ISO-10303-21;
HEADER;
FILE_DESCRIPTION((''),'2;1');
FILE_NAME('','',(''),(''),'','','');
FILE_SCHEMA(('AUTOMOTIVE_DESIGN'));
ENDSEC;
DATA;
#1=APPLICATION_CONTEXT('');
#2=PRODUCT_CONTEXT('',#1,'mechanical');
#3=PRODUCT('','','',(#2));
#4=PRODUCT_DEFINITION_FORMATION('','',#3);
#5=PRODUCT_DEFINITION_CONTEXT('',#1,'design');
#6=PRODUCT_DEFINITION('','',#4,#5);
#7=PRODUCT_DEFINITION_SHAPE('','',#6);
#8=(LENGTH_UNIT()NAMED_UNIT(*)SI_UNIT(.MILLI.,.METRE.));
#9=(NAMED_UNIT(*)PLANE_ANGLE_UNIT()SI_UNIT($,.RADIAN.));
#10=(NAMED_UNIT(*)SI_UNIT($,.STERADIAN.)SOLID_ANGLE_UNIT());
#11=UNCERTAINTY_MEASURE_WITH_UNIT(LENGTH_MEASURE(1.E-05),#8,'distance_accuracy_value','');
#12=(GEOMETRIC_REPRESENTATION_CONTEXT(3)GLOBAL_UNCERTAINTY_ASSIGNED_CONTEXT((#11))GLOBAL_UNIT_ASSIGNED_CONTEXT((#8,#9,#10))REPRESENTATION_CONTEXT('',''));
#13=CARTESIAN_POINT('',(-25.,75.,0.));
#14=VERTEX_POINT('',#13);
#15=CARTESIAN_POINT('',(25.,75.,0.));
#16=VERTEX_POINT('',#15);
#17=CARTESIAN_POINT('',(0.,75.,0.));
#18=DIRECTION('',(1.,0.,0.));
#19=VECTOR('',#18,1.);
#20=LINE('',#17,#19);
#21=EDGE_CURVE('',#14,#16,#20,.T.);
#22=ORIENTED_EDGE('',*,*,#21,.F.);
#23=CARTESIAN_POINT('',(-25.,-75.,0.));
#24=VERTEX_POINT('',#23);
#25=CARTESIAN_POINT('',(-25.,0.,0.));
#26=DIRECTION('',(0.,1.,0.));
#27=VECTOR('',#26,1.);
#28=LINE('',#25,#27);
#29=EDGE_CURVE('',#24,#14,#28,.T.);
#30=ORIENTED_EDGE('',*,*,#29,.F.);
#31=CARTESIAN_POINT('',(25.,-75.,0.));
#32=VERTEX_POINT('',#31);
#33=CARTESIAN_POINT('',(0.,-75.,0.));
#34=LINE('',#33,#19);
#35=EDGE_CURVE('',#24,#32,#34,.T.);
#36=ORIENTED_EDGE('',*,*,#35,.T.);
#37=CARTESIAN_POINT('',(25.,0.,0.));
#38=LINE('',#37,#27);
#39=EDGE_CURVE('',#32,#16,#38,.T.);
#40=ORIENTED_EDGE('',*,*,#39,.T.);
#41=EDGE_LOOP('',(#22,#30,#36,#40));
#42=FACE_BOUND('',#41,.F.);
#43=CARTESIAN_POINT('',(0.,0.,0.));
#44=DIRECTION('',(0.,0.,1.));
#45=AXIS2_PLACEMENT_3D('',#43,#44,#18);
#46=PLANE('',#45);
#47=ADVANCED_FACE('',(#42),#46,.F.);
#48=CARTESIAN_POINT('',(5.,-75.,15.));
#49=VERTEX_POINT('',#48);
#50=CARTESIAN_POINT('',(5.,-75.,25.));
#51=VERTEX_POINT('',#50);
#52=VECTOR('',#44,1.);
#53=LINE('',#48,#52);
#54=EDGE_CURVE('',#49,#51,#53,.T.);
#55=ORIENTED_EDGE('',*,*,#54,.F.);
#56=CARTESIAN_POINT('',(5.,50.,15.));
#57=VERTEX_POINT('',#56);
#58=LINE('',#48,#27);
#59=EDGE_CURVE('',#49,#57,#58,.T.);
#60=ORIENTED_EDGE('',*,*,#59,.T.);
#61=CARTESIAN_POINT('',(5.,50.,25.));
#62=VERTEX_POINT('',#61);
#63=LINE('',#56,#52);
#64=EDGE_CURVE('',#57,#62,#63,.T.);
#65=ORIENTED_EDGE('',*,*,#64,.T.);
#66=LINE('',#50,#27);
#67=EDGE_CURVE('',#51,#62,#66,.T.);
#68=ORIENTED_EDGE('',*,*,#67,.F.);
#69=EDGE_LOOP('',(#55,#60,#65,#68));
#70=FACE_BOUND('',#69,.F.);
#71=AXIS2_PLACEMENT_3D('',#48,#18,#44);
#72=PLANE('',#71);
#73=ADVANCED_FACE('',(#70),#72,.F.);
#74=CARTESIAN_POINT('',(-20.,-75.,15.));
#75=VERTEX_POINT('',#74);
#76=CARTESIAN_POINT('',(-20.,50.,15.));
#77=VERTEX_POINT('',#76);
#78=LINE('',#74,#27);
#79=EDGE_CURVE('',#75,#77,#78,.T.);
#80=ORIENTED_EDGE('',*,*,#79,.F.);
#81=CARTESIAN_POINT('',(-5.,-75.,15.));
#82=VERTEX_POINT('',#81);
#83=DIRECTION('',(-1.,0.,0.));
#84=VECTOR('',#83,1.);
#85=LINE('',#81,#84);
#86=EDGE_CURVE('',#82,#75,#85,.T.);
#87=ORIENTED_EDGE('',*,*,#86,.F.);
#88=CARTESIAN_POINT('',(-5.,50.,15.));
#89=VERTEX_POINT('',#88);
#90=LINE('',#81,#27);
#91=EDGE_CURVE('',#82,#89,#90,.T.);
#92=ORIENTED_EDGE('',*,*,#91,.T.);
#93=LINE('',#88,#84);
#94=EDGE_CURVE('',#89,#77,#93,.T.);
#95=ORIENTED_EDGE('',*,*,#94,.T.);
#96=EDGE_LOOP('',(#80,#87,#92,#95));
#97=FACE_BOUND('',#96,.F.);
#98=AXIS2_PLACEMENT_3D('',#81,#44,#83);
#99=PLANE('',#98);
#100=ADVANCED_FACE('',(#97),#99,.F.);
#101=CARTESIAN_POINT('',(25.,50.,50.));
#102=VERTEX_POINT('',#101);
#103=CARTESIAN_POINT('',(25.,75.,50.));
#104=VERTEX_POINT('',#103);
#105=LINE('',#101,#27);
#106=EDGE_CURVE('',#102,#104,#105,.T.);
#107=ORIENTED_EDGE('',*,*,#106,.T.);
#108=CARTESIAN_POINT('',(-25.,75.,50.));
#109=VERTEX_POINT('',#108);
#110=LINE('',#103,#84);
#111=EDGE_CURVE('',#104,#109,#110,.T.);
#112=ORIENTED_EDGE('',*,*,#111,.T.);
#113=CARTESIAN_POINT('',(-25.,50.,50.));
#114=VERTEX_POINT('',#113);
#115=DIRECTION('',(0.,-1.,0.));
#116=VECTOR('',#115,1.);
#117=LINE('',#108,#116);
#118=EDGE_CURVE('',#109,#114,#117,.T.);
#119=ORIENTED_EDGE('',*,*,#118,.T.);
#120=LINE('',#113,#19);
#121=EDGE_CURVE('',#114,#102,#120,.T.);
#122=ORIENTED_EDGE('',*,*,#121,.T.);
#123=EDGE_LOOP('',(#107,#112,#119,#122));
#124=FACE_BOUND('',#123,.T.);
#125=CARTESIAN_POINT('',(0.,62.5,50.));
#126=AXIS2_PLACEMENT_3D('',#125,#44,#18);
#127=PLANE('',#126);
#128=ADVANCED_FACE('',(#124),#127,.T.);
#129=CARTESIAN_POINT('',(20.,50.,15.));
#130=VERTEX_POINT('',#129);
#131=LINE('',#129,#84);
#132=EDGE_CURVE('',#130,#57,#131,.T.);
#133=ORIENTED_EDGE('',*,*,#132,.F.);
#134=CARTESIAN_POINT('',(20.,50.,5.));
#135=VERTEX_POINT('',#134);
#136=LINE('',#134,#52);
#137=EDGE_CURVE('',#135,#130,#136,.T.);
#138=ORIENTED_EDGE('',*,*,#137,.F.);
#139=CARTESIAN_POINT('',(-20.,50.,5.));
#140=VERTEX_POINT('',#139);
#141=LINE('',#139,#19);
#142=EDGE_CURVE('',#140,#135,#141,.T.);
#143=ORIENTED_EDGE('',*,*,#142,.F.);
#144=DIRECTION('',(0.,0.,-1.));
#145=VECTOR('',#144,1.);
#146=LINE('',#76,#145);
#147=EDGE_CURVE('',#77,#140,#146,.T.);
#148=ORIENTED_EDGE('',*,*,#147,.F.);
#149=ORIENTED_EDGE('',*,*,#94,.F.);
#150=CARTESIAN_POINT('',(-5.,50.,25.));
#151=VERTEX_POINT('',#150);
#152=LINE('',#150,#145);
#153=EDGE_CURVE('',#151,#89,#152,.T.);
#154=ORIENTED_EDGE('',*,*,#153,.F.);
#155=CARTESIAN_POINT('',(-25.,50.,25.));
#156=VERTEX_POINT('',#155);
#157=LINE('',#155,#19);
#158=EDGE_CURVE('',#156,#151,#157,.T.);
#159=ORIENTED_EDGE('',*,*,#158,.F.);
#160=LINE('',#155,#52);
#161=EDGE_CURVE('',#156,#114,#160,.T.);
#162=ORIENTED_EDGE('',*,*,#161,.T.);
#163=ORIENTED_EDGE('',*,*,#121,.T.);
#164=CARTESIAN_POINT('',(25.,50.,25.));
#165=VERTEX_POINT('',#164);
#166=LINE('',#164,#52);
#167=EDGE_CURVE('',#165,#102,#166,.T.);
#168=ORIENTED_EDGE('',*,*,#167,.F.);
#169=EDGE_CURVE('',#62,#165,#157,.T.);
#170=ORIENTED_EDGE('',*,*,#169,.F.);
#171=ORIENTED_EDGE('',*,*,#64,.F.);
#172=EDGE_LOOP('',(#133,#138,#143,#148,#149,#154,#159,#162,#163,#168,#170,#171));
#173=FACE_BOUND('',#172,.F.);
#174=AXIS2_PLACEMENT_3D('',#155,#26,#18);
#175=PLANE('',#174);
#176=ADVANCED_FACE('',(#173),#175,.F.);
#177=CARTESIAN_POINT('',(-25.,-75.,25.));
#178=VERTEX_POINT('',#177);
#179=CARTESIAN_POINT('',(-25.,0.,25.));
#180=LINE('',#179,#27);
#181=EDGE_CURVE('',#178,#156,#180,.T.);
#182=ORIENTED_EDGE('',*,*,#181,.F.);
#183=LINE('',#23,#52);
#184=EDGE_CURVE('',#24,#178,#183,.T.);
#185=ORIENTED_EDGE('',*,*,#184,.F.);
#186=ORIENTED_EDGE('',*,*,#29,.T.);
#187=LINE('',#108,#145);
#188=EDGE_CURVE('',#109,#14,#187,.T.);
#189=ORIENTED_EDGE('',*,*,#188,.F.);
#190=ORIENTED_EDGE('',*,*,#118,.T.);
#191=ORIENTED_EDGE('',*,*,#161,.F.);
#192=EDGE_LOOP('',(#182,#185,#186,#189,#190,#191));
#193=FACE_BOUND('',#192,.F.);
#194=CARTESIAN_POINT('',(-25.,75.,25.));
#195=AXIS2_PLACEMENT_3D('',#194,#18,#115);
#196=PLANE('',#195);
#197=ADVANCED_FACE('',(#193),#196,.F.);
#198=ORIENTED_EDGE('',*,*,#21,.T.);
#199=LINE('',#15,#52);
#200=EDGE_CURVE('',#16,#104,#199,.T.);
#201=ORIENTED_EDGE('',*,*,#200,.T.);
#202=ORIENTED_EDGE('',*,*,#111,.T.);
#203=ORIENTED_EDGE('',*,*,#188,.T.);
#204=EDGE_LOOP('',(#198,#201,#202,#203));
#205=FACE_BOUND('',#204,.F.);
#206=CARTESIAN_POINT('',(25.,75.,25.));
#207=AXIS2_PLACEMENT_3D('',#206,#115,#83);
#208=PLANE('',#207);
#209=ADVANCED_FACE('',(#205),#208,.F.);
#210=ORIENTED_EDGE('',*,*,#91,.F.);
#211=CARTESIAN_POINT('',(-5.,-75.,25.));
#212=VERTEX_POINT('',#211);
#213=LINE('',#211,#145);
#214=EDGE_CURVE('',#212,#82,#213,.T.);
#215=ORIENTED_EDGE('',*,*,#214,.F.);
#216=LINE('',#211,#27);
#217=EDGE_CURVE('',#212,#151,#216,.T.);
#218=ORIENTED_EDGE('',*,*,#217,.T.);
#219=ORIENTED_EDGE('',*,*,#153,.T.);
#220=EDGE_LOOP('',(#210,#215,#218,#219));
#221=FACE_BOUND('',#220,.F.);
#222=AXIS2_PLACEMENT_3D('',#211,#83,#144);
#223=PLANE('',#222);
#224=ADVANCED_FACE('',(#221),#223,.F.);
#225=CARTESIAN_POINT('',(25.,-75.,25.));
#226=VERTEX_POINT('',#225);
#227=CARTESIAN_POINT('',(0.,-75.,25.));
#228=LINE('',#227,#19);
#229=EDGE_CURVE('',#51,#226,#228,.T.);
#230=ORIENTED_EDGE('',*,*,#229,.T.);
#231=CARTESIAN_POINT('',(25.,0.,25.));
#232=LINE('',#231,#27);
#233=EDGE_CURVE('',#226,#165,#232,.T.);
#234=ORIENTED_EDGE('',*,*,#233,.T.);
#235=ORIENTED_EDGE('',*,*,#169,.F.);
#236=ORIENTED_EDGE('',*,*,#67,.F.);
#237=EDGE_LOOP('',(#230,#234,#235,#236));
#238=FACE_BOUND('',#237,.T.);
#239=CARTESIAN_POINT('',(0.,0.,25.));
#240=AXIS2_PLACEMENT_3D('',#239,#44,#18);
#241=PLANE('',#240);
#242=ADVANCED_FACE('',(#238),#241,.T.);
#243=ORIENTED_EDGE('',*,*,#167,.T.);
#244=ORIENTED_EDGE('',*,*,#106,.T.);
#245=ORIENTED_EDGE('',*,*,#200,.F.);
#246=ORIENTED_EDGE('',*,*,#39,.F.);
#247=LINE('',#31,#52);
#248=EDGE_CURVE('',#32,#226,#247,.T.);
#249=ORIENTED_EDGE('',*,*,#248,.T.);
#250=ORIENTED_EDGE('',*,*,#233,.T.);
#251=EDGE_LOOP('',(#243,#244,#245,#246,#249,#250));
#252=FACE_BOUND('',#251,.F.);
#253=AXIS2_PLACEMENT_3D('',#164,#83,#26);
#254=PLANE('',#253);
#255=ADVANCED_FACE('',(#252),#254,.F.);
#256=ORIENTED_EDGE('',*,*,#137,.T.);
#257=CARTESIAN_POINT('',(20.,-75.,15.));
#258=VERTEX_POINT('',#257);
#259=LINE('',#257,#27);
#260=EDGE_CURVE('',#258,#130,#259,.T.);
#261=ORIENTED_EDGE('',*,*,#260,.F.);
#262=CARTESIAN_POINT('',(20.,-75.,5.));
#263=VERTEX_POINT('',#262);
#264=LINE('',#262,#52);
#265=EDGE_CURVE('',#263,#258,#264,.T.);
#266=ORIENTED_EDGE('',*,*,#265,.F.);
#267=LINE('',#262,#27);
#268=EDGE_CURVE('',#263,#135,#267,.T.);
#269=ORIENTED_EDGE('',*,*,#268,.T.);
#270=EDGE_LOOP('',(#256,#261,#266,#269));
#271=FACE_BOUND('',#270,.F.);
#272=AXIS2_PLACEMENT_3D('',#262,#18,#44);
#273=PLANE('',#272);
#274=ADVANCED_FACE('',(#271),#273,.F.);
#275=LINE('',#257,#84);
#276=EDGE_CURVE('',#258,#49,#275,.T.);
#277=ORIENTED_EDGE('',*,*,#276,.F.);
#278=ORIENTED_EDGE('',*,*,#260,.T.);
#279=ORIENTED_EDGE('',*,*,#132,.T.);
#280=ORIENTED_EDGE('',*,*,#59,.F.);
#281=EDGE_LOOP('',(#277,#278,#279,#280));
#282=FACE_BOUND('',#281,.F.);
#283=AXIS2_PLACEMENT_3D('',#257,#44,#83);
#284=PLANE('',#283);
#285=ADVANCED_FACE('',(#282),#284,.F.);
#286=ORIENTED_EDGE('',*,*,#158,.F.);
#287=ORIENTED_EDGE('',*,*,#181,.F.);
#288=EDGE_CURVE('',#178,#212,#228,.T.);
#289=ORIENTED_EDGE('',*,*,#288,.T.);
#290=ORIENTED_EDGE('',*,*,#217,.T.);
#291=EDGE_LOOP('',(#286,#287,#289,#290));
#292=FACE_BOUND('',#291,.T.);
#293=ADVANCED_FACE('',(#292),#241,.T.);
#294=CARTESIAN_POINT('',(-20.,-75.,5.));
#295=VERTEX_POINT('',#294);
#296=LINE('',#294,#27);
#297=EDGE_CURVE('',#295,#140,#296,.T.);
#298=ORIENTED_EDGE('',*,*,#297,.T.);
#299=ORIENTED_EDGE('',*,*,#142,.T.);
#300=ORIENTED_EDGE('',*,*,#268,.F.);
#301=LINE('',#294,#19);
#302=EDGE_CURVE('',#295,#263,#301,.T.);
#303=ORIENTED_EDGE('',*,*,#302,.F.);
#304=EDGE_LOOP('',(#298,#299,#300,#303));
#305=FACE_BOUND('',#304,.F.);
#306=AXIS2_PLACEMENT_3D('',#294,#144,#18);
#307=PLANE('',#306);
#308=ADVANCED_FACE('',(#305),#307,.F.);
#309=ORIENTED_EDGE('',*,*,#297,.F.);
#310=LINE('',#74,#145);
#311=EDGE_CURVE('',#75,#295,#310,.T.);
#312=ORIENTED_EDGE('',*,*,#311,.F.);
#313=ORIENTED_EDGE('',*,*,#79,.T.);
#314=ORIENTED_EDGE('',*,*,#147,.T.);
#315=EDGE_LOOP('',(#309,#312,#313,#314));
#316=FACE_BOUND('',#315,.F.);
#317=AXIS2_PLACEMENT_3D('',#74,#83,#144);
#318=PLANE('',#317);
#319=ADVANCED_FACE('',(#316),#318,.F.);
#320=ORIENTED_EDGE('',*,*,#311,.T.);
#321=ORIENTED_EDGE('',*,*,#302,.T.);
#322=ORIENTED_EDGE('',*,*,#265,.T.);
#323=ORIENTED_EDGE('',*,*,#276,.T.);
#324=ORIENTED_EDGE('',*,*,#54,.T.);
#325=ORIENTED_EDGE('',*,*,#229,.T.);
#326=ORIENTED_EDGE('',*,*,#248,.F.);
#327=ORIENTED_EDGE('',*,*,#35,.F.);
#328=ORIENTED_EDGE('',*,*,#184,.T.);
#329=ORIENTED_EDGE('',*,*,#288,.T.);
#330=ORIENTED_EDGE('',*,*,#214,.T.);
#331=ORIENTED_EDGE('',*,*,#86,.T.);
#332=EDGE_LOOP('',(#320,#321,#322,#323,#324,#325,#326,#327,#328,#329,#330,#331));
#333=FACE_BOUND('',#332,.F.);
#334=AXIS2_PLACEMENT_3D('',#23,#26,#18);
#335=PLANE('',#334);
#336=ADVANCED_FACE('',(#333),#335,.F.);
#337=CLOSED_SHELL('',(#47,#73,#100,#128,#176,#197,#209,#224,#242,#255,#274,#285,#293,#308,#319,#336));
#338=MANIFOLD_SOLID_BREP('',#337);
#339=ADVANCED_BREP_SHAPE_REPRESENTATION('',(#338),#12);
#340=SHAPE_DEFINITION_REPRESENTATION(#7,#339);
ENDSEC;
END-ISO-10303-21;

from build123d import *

# Parameters (mm, degrees)
F0_W     = 50
F0_H     = 150
F1_DEPTH = 25
F3_DEPTH = 125
F5_DEPTH = 25


with BuildPart() as f1:
    # F0 (on Top) → F1 (new body)
    with BuildSketch(Plane.XY):
        Rectangle(F0_W, F0_H)
    extrude(amount=F1_DEPTH)

    # F2 (on face) → F3 (cut)
    with BuildSketch(Plane.XZ.offset(75)):
        Polygon((5, 25), (0, 25), (-5, 25), (-5, 15), (-20, 15), (-20, 5), (0, 5), (20, 5), (20, 15), (5, 15), align=None)
    extrude(amount=-F3_DEPTH, mode=Mode.SUBTRACT)

    # F4 (on face) → F5 (join)
    with BuildSketch(Plane.XY.offset(25)):
        Polygon((-25, 50), (-5, 50), (5, 50), (25, 50), (25, 75), (-25, 75), align=None)
    extrude(amount=F5_DEPTH)


solid = f1.part
